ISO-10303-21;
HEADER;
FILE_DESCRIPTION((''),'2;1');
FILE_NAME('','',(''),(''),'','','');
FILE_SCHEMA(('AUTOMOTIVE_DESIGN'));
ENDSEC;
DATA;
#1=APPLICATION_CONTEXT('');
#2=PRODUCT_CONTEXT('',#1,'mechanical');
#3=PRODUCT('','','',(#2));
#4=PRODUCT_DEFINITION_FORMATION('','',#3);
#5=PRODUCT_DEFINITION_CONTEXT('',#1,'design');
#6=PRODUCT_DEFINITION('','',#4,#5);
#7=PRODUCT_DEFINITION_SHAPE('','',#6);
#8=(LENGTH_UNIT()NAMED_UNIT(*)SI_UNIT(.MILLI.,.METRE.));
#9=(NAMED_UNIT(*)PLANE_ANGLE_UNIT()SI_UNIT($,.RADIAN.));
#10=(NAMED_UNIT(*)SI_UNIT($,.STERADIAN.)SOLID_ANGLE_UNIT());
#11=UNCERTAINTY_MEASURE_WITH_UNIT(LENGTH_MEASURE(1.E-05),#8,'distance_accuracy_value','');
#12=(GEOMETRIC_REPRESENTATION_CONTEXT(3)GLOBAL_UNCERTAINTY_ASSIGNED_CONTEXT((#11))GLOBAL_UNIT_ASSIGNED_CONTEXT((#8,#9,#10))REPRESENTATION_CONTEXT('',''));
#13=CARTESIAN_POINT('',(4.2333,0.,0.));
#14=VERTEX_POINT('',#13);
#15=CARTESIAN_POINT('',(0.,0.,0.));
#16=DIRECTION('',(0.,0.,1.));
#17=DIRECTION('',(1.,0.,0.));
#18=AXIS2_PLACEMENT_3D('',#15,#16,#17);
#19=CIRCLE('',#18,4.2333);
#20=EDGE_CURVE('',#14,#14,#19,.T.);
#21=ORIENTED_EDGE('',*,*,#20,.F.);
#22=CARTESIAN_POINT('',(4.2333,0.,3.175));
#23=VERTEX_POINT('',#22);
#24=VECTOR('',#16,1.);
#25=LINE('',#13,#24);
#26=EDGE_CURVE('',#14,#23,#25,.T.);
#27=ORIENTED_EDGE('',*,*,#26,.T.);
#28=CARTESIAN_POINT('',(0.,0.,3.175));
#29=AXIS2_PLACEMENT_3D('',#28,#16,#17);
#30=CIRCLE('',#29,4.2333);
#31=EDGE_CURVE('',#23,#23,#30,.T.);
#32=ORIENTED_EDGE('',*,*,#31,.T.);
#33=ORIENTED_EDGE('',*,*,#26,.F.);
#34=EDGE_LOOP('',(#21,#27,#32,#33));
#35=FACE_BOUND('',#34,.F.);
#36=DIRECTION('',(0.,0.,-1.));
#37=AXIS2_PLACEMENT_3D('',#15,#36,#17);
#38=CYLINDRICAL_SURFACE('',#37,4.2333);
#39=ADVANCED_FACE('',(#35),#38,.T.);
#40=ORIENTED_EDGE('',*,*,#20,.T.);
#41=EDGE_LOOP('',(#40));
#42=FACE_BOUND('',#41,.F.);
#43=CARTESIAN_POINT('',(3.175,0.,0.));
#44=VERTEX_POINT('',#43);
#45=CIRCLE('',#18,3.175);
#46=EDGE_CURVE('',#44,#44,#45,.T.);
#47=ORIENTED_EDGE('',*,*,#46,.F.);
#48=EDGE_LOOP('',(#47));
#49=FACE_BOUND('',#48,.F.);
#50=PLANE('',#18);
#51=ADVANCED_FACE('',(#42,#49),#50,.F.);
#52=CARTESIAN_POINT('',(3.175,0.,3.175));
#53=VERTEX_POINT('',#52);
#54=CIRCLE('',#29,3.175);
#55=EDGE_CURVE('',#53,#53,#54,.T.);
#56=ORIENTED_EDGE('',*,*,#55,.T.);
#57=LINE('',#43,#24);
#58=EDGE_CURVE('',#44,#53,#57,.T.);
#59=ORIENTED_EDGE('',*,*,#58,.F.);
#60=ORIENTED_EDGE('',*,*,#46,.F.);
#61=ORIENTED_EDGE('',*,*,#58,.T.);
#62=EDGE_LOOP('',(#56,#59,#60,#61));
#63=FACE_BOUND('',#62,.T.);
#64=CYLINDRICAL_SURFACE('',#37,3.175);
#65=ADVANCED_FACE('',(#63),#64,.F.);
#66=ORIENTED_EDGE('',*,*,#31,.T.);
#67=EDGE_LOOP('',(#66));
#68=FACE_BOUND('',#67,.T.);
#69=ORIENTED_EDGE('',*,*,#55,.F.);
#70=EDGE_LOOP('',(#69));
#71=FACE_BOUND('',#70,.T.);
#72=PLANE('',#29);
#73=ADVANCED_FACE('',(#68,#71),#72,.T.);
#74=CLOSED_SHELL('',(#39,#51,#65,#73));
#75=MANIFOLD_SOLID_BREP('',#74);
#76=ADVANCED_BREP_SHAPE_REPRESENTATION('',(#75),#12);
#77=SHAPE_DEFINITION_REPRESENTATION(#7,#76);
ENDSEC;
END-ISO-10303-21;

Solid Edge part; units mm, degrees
sketch "Sketch1" plane through (0, 0, 0) normal (0, 0, 1) x (1, 0, 0)
  circle A0 centre (0, 0) radius 3.175
  circle A1 centre (0, 0) radius 4.2333
  dimension "D1" = 6.35
  dimension "D2" = 8.4667
extrude "Protrusion1" add sketch "Sketch1" along normal blind 3.175
properties part number "BumbleB0260"
